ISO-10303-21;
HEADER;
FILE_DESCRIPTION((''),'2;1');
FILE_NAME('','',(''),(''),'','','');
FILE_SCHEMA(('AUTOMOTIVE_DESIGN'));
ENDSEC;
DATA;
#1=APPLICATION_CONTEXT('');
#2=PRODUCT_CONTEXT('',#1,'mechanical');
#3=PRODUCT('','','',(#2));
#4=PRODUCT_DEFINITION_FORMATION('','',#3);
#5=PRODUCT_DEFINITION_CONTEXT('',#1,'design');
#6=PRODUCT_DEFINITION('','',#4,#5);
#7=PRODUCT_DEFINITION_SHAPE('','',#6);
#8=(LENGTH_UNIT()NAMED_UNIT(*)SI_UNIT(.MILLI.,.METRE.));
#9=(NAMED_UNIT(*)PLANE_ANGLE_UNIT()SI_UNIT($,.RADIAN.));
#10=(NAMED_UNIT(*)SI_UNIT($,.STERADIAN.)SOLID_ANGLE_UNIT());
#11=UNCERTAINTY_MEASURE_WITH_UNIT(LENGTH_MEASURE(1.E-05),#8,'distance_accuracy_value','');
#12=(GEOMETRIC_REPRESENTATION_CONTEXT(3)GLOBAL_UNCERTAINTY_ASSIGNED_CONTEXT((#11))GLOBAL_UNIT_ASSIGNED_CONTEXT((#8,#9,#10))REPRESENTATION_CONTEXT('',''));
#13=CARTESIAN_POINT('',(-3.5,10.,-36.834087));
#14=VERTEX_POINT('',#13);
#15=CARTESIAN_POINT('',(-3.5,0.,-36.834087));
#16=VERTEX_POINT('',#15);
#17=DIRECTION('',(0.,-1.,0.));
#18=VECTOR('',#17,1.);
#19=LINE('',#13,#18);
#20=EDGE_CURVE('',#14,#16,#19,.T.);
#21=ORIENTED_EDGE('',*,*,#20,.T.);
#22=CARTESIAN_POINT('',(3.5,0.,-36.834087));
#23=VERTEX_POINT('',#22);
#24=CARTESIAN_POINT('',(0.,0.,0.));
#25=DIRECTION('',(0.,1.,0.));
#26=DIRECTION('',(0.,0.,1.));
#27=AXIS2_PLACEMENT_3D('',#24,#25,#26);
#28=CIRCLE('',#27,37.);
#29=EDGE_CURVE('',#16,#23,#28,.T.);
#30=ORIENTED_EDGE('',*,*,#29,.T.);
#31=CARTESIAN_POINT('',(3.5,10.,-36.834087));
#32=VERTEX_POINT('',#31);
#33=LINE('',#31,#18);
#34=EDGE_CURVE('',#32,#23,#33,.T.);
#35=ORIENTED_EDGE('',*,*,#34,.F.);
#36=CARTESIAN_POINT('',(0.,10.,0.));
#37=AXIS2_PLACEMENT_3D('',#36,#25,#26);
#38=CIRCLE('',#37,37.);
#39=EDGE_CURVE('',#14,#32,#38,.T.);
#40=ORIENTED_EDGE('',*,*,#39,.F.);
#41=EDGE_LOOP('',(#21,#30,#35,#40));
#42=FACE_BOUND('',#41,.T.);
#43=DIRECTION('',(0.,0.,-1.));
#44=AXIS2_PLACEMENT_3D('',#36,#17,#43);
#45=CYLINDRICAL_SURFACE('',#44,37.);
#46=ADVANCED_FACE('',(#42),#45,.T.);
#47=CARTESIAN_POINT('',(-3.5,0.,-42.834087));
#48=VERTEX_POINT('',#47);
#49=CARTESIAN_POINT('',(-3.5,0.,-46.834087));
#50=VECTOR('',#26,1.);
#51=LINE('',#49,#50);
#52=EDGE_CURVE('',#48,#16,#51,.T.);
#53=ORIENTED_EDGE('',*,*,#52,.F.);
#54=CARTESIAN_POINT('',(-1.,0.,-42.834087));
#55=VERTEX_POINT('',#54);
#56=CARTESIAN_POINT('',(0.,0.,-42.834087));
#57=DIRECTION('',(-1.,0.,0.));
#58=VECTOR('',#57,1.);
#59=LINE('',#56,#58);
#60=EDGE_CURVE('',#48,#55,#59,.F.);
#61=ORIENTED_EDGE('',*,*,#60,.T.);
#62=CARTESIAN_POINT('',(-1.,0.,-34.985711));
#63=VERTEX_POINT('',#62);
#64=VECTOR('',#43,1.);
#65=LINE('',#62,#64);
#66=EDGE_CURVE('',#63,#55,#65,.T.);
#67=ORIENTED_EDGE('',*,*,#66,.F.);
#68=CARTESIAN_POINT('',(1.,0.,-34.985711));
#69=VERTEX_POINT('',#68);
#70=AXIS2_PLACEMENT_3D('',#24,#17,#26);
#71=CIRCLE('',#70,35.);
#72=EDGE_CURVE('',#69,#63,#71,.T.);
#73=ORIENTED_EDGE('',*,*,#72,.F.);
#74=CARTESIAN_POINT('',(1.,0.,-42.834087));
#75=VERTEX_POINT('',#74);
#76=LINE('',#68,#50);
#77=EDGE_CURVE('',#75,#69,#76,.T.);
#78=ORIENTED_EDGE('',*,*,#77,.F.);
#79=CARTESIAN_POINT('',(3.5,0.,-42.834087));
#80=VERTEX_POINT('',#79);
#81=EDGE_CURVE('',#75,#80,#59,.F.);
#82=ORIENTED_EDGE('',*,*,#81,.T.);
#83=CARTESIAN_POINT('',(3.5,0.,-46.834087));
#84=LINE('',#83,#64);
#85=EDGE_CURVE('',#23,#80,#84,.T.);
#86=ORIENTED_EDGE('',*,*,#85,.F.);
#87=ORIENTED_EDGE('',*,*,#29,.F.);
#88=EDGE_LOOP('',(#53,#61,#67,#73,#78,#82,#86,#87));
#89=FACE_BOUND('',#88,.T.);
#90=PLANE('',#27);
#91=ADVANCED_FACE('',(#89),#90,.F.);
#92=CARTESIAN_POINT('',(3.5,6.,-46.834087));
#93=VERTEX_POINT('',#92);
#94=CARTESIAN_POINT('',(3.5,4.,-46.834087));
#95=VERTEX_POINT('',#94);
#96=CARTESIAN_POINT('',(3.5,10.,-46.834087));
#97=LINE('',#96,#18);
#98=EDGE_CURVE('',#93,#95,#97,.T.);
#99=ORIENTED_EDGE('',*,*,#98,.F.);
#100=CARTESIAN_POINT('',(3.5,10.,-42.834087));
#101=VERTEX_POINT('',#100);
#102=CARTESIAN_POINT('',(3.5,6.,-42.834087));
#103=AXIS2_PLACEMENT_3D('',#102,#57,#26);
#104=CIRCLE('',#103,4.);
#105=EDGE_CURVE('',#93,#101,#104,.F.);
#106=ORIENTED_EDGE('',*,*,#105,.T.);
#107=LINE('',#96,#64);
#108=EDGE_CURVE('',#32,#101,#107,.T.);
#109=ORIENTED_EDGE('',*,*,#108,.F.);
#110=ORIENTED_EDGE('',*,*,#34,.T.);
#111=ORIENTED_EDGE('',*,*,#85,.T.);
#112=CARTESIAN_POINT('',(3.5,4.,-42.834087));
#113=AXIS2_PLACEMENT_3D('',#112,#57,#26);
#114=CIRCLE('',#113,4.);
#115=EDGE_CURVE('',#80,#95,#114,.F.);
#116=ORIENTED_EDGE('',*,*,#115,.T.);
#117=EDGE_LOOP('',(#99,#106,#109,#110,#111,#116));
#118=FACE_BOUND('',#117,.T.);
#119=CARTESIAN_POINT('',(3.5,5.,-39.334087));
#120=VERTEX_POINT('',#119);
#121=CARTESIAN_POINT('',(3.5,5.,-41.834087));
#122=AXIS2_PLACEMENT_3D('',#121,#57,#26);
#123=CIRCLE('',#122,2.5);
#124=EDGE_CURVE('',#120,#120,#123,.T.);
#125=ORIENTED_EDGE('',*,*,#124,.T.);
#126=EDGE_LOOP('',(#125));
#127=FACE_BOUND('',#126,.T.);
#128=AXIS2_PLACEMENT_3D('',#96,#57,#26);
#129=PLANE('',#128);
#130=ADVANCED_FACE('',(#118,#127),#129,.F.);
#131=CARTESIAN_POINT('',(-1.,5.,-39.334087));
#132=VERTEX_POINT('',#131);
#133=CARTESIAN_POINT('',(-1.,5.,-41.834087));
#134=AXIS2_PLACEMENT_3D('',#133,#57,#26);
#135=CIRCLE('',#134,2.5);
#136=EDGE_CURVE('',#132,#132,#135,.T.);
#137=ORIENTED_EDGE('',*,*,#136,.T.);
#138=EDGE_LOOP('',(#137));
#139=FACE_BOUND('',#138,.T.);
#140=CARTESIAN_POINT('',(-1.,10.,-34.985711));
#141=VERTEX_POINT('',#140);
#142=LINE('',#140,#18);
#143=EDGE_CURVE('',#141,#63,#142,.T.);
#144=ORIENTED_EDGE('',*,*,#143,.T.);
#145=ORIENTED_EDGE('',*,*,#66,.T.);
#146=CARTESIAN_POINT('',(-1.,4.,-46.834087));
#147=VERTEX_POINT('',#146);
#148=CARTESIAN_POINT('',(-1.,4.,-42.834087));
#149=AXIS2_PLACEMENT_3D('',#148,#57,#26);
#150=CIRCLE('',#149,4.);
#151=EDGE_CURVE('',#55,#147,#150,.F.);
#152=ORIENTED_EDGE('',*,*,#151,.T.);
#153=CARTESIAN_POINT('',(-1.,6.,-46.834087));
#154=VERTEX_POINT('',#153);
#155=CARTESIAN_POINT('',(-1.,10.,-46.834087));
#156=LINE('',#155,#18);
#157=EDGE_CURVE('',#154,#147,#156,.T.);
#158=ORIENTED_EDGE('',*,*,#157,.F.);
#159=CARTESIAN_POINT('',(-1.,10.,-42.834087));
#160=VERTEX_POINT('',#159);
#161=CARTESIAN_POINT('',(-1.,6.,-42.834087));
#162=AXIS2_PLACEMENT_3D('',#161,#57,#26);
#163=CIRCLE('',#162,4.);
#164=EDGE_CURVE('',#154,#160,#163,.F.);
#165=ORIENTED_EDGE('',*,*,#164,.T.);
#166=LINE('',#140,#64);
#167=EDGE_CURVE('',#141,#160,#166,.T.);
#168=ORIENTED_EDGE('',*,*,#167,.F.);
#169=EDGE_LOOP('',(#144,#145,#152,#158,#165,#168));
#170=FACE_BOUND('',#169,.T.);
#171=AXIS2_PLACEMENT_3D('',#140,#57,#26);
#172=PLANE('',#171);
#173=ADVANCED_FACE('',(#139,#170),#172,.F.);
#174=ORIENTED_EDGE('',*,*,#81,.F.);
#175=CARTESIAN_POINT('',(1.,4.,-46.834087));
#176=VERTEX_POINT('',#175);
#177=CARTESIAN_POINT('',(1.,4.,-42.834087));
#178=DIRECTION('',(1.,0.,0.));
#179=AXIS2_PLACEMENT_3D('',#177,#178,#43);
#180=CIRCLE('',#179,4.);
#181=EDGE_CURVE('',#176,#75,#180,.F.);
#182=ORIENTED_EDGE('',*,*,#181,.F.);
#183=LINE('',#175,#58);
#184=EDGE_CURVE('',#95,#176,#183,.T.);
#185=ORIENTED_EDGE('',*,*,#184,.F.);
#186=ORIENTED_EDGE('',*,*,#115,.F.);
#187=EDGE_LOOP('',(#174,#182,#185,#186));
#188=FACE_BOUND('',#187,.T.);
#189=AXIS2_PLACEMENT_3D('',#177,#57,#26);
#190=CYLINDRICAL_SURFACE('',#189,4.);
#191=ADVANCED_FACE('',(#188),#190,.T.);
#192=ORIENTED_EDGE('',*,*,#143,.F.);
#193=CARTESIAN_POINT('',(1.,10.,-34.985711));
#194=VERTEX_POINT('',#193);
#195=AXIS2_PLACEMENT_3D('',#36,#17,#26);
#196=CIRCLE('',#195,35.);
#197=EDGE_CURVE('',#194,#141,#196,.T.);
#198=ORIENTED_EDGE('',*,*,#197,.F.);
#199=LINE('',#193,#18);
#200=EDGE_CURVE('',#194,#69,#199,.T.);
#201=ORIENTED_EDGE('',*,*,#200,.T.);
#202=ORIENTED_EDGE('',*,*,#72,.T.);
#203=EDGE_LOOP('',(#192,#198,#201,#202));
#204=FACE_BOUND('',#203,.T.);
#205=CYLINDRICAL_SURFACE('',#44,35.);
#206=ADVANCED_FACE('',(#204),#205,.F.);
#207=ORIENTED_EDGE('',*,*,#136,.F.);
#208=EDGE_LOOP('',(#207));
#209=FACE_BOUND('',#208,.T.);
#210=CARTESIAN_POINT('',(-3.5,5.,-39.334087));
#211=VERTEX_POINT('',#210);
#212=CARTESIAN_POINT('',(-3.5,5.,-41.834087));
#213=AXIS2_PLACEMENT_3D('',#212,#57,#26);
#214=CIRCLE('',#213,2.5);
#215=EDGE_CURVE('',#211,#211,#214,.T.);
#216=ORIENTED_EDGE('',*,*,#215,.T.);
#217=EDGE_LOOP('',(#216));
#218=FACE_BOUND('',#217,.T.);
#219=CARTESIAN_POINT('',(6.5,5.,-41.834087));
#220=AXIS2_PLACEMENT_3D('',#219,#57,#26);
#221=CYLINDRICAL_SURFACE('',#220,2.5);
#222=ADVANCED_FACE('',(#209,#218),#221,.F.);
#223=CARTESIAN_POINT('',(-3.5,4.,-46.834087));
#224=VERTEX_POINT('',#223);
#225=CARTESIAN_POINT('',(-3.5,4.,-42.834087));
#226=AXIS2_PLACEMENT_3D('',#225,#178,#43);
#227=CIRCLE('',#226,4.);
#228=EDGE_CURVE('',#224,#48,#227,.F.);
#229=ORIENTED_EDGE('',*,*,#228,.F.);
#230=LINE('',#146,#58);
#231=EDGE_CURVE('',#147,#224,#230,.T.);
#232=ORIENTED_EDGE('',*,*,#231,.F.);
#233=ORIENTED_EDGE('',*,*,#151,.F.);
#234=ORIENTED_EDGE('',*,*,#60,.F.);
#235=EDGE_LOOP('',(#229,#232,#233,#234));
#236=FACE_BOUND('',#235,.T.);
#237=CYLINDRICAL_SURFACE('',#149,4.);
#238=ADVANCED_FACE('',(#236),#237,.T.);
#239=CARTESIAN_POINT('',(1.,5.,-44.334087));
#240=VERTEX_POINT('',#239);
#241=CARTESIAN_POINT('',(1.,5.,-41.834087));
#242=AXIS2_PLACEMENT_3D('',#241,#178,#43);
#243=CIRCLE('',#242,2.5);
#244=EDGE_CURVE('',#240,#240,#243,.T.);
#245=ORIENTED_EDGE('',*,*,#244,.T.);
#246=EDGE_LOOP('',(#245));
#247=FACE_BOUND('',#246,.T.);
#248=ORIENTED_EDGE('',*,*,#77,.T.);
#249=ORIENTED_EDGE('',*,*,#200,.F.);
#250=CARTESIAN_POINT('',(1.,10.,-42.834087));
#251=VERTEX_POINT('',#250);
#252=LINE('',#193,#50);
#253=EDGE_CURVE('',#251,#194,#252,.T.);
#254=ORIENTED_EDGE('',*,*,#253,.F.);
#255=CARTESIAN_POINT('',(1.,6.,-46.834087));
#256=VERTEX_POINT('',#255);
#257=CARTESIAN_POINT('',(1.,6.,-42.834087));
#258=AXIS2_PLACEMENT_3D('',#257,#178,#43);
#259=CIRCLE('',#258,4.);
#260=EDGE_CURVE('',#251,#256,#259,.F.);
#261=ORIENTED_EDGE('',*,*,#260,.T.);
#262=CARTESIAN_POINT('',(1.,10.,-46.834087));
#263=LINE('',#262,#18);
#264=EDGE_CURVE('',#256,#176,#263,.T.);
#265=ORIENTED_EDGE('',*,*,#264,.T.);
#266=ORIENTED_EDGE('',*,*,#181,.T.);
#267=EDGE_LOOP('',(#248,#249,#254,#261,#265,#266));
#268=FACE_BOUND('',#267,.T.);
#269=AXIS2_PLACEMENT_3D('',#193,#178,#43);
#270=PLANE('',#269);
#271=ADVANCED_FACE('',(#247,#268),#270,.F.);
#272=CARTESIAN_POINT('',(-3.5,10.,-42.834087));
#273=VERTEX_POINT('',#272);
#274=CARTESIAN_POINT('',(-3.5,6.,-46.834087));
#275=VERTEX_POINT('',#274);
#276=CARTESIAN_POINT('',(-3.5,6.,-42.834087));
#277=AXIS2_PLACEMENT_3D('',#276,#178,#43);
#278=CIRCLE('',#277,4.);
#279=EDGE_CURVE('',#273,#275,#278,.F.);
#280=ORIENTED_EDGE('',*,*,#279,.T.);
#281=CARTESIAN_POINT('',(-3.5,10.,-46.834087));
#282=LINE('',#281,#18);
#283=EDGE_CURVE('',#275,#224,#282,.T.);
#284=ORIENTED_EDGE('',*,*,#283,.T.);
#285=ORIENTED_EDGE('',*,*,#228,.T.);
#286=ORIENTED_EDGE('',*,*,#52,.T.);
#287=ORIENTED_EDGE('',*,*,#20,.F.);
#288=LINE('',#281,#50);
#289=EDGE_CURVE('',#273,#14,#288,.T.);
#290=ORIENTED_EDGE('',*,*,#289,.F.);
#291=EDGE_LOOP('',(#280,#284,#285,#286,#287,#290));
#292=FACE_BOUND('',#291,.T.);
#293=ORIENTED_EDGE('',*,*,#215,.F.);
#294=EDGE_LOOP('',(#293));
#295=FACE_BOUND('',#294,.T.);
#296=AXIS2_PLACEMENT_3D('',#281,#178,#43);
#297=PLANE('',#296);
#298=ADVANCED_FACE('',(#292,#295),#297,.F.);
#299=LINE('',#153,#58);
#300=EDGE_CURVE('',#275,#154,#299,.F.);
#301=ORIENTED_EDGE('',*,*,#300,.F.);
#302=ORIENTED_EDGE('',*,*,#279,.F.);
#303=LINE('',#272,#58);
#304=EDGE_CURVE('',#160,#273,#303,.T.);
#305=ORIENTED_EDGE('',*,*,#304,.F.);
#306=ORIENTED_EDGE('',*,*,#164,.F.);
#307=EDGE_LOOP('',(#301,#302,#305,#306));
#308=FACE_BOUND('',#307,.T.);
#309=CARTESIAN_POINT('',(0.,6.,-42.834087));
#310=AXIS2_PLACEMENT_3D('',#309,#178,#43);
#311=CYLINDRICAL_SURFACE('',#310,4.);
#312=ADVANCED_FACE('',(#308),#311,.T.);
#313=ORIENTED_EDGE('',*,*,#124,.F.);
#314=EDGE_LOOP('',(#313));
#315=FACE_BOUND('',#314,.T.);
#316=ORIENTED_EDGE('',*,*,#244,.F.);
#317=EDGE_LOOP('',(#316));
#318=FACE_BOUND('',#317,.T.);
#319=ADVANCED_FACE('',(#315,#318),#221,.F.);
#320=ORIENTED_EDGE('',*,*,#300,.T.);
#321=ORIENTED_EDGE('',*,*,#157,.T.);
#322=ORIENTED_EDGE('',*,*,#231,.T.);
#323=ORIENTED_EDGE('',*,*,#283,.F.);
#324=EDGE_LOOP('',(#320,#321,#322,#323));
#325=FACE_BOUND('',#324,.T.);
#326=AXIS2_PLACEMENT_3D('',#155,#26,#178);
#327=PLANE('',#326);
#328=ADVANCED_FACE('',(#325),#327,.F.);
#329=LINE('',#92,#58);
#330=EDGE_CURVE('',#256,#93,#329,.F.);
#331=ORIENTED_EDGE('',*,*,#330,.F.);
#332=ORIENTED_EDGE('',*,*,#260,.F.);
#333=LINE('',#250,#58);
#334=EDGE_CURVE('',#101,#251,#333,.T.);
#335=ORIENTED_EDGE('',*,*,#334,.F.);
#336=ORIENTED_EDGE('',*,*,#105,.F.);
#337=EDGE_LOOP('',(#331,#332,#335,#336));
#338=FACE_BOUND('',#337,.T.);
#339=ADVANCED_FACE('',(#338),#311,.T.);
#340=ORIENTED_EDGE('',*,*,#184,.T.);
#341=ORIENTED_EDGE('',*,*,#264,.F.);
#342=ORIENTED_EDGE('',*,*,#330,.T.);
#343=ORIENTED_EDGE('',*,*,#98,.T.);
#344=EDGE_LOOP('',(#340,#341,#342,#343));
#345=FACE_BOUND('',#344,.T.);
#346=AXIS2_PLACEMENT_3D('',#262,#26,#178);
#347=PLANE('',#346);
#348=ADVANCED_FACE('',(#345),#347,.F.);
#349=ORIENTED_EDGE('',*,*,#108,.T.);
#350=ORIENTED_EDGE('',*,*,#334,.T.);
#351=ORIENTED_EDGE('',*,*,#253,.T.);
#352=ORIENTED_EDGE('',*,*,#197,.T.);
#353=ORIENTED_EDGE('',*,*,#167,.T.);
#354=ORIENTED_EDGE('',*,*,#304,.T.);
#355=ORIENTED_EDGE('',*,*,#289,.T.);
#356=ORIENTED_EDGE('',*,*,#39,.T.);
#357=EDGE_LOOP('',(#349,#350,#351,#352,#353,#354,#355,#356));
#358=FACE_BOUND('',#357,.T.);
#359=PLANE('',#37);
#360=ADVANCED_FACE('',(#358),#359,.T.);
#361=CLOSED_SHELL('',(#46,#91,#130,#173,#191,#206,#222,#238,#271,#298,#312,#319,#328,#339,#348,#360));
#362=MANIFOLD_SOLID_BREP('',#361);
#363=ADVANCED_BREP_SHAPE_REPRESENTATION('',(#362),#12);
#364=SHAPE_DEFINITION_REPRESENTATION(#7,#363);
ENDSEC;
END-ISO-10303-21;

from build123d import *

# Parameters (mm, degrees)
SALIENTE_EXTRUIR1_DEPTH = 10
CROQUIS2_R              = 2.5
CORTAR_EXTRUIR1_DEPTH   = 10
REDONDEO1_R             = 4


with BuildPart() as part:
    # Croquis1 → Saliente-Extruir1 (new body)
    with BuildSketch(Plane(origin=(0, 0, 0), x_dir=(1, 0, 0), z_dir=(0, 1, 0))):
        with BuildLine():
            Line((-1, 34.985711369), (-1, 46.834087473))
            Line((-1, 46.834087473), (-3.5, 46.834087473))
            Line((-3.5, 46.834087473), (-3.5, 36.834087473))
            ThreePointArc((-3.5, 36.834087473), (0, -37), (3.5, 36.834087473))
            Line((3.5, 36.834087473), (3.5, 46.834087473))
            Line((3.5, 46.834087473), (1, 46.834087473))
            Line((1, 46.834087473), (1, 34.985711369))
            ThreePointArc((1, 34.985711369), (0, -35), (-1, 34.985711369))
        make_face()
    extrude(amount=SALIENTE_EXTRUIR1_DEPTH)

    # Croquis2 → Cortar-Extruir1 (cut)
    with BuildSketch(Plane.ZY.offset(3.5)):
        with Locations((-41.834087473, 5)):
            Circle(CROQUIS2_R)
    extrude(amount=-CORTAR_EXTRUIR1_DEPTH, mode=Mode.SUBTRACT)

    # Redondeo1
    redondeo1_edges = [part.edges().sort_by_distance(p)[0] for p in [
        (-2.25, 0, -46.834087473),
        (-2.25, 10, -46.834087473),
        (2.25, 10, -46.834087473),
        (2.25, 0, -46.834087473),
    ]]
    fillet(redondeo1_edges, radius=REDONDEO1_R)


solid = part.part
